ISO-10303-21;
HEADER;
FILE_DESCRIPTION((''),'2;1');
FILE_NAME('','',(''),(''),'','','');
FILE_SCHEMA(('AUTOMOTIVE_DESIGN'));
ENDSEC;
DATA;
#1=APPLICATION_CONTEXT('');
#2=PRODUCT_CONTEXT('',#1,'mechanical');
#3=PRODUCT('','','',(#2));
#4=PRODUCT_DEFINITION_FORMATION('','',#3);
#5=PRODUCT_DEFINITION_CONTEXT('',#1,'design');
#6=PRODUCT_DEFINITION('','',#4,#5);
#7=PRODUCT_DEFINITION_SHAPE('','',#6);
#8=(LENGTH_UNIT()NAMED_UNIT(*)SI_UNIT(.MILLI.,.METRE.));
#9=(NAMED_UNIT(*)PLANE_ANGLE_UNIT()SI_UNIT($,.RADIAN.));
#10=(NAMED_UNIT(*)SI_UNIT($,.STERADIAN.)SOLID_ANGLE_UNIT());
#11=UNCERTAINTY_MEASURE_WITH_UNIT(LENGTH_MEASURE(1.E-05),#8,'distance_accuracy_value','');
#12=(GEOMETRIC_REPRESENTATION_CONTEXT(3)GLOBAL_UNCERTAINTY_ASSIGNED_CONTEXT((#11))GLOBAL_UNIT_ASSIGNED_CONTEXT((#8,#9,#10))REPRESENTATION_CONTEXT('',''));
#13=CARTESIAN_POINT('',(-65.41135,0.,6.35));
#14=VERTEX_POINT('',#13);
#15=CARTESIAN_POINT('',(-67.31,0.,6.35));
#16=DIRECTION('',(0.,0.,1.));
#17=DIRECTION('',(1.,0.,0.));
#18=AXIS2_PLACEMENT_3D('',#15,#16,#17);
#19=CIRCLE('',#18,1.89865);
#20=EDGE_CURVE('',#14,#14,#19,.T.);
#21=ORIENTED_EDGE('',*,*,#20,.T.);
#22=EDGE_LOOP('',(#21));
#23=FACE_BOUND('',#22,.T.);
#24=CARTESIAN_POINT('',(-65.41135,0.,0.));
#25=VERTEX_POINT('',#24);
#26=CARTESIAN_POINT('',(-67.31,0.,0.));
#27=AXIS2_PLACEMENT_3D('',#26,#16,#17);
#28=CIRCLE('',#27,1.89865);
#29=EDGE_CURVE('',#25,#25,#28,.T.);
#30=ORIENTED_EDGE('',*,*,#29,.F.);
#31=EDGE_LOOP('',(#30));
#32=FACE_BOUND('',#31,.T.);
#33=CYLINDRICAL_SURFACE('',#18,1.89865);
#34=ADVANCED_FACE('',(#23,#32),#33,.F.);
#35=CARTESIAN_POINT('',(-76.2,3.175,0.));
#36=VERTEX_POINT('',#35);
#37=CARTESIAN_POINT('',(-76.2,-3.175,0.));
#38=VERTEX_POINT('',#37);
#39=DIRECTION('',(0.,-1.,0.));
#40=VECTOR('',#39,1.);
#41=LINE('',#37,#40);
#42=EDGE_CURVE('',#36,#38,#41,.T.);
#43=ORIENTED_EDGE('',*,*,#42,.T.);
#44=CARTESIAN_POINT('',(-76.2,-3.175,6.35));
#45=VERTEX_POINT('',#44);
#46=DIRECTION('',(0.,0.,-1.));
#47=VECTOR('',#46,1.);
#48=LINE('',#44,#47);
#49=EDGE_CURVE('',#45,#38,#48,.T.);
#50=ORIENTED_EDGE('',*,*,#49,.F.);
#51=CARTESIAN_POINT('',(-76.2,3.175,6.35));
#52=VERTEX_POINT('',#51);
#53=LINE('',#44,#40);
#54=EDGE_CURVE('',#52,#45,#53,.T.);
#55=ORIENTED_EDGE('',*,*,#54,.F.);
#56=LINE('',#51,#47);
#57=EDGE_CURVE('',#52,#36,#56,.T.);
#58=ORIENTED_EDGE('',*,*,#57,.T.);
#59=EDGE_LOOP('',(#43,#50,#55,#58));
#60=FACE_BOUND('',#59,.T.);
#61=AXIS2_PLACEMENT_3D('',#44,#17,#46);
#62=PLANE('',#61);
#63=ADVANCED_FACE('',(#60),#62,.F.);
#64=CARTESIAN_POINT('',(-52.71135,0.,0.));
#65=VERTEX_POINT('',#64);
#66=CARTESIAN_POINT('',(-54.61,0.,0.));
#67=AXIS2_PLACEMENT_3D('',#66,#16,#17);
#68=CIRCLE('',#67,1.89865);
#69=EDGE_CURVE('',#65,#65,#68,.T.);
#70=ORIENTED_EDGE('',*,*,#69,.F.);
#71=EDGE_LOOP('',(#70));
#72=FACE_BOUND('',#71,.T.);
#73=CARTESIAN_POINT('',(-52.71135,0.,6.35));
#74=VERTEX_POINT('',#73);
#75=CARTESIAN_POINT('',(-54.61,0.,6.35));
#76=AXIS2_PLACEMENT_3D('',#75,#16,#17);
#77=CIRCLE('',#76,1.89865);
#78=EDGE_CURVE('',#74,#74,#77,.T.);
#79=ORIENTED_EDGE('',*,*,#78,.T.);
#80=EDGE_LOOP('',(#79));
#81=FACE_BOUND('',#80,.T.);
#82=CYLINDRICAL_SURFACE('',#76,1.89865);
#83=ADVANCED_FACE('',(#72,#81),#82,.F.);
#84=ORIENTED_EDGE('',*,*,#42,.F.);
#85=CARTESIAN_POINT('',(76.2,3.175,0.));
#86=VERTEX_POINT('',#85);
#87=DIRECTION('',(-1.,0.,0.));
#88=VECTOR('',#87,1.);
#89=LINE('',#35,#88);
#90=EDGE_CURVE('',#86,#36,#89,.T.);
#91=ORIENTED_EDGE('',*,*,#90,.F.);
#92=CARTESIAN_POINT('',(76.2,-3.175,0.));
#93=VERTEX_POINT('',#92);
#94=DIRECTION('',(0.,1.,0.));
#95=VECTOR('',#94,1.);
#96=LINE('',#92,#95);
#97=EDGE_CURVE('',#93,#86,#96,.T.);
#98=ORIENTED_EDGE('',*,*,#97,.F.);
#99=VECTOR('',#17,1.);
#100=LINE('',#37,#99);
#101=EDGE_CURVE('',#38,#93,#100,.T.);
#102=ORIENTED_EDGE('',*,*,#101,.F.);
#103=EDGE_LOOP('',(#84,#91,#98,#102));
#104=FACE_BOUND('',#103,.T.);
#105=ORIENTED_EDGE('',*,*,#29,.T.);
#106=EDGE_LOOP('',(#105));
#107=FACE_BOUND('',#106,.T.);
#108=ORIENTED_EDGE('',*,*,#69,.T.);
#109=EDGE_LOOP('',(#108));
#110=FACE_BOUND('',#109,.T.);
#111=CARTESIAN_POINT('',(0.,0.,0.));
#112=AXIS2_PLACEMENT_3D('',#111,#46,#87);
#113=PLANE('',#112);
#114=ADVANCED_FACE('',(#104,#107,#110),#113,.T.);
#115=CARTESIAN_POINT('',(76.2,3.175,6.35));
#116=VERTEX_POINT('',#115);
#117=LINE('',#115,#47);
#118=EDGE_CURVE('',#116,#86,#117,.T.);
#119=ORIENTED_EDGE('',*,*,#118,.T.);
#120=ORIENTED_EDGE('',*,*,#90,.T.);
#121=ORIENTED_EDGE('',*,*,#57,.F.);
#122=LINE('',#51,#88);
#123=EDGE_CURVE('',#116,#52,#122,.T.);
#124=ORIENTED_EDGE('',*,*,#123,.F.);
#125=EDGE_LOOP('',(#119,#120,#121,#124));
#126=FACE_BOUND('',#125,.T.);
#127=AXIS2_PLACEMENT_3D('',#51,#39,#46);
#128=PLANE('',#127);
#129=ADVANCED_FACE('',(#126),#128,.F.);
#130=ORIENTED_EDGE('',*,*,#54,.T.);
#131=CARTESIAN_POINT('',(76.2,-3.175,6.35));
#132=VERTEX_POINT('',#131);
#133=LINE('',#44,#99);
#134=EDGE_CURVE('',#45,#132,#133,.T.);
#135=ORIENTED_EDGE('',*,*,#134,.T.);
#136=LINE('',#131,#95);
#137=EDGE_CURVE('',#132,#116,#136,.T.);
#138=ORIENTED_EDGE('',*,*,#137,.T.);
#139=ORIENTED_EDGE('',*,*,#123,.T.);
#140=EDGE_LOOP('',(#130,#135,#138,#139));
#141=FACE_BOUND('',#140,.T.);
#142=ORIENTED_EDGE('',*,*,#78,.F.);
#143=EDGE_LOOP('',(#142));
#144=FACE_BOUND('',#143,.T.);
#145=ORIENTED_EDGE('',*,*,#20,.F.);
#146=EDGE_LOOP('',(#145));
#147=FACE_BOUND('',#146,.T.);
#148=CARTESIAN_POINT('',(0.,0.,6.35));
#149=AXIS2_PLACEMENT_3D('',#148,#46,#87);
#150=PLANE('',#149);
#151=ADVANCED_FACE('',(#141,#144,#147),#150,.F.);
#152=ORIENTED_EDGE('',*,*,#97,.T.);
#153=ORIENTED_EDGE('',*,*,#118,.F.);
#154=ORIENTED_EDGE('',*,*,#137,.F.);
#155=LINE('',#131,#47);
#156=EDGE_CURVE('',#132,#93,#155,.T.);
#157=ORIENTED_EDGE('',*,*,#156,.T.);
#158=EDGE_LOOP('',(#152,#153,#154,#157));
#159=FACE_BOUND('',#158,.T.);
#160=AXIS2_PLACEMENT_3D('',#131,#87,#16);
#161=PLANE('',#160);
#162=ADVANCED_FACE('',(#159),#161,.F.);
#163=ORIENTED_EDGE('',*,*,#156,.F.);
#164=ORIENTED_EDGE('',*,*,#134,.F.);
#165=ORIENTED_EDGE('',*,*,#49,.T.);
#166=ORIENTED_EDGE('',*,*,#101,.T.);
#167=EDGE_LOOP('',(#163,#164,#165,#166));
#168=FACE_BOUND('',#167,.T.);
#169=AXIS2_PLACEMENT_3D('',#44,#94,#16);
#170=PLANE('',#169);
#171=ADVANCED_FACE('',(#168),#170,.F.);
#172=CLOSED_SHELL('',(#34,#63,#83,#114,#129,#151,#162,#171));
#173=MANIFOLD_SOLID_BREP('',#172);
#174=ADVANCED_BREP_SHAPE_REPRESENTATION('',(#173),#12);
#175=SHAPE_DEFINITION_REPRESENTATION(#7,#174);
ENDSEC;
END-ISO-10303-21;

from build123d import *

# Parameters (mm, degrees)
SKETCH1_W             = 152.4
SKETCH1_H             = 6.35
BOSS_EXTRUDE1_DEPTH   = 6.35
F_6_CLEARANCE_HOLE1_D = 3.7973


with BuildPart() as part:
    # Sketch1 → Boss-Extrude1 (new body)
    with BuildSketch(Plane.XY):
        Rectangle(SKETCH1_W, SKETCH1_H)
    extrude(amount=BOSS_EXTRUDE1_DEPTH)

    # #6 Clearance Hole1 (through all)
    with Locations(Plane.XY.offset(6.35)):
        with Locations((-67.31, 0), (-54.61, 0)):
            Hole(F_6_CLEARANCE_HOLE1_D / 2)


solid = part.part
